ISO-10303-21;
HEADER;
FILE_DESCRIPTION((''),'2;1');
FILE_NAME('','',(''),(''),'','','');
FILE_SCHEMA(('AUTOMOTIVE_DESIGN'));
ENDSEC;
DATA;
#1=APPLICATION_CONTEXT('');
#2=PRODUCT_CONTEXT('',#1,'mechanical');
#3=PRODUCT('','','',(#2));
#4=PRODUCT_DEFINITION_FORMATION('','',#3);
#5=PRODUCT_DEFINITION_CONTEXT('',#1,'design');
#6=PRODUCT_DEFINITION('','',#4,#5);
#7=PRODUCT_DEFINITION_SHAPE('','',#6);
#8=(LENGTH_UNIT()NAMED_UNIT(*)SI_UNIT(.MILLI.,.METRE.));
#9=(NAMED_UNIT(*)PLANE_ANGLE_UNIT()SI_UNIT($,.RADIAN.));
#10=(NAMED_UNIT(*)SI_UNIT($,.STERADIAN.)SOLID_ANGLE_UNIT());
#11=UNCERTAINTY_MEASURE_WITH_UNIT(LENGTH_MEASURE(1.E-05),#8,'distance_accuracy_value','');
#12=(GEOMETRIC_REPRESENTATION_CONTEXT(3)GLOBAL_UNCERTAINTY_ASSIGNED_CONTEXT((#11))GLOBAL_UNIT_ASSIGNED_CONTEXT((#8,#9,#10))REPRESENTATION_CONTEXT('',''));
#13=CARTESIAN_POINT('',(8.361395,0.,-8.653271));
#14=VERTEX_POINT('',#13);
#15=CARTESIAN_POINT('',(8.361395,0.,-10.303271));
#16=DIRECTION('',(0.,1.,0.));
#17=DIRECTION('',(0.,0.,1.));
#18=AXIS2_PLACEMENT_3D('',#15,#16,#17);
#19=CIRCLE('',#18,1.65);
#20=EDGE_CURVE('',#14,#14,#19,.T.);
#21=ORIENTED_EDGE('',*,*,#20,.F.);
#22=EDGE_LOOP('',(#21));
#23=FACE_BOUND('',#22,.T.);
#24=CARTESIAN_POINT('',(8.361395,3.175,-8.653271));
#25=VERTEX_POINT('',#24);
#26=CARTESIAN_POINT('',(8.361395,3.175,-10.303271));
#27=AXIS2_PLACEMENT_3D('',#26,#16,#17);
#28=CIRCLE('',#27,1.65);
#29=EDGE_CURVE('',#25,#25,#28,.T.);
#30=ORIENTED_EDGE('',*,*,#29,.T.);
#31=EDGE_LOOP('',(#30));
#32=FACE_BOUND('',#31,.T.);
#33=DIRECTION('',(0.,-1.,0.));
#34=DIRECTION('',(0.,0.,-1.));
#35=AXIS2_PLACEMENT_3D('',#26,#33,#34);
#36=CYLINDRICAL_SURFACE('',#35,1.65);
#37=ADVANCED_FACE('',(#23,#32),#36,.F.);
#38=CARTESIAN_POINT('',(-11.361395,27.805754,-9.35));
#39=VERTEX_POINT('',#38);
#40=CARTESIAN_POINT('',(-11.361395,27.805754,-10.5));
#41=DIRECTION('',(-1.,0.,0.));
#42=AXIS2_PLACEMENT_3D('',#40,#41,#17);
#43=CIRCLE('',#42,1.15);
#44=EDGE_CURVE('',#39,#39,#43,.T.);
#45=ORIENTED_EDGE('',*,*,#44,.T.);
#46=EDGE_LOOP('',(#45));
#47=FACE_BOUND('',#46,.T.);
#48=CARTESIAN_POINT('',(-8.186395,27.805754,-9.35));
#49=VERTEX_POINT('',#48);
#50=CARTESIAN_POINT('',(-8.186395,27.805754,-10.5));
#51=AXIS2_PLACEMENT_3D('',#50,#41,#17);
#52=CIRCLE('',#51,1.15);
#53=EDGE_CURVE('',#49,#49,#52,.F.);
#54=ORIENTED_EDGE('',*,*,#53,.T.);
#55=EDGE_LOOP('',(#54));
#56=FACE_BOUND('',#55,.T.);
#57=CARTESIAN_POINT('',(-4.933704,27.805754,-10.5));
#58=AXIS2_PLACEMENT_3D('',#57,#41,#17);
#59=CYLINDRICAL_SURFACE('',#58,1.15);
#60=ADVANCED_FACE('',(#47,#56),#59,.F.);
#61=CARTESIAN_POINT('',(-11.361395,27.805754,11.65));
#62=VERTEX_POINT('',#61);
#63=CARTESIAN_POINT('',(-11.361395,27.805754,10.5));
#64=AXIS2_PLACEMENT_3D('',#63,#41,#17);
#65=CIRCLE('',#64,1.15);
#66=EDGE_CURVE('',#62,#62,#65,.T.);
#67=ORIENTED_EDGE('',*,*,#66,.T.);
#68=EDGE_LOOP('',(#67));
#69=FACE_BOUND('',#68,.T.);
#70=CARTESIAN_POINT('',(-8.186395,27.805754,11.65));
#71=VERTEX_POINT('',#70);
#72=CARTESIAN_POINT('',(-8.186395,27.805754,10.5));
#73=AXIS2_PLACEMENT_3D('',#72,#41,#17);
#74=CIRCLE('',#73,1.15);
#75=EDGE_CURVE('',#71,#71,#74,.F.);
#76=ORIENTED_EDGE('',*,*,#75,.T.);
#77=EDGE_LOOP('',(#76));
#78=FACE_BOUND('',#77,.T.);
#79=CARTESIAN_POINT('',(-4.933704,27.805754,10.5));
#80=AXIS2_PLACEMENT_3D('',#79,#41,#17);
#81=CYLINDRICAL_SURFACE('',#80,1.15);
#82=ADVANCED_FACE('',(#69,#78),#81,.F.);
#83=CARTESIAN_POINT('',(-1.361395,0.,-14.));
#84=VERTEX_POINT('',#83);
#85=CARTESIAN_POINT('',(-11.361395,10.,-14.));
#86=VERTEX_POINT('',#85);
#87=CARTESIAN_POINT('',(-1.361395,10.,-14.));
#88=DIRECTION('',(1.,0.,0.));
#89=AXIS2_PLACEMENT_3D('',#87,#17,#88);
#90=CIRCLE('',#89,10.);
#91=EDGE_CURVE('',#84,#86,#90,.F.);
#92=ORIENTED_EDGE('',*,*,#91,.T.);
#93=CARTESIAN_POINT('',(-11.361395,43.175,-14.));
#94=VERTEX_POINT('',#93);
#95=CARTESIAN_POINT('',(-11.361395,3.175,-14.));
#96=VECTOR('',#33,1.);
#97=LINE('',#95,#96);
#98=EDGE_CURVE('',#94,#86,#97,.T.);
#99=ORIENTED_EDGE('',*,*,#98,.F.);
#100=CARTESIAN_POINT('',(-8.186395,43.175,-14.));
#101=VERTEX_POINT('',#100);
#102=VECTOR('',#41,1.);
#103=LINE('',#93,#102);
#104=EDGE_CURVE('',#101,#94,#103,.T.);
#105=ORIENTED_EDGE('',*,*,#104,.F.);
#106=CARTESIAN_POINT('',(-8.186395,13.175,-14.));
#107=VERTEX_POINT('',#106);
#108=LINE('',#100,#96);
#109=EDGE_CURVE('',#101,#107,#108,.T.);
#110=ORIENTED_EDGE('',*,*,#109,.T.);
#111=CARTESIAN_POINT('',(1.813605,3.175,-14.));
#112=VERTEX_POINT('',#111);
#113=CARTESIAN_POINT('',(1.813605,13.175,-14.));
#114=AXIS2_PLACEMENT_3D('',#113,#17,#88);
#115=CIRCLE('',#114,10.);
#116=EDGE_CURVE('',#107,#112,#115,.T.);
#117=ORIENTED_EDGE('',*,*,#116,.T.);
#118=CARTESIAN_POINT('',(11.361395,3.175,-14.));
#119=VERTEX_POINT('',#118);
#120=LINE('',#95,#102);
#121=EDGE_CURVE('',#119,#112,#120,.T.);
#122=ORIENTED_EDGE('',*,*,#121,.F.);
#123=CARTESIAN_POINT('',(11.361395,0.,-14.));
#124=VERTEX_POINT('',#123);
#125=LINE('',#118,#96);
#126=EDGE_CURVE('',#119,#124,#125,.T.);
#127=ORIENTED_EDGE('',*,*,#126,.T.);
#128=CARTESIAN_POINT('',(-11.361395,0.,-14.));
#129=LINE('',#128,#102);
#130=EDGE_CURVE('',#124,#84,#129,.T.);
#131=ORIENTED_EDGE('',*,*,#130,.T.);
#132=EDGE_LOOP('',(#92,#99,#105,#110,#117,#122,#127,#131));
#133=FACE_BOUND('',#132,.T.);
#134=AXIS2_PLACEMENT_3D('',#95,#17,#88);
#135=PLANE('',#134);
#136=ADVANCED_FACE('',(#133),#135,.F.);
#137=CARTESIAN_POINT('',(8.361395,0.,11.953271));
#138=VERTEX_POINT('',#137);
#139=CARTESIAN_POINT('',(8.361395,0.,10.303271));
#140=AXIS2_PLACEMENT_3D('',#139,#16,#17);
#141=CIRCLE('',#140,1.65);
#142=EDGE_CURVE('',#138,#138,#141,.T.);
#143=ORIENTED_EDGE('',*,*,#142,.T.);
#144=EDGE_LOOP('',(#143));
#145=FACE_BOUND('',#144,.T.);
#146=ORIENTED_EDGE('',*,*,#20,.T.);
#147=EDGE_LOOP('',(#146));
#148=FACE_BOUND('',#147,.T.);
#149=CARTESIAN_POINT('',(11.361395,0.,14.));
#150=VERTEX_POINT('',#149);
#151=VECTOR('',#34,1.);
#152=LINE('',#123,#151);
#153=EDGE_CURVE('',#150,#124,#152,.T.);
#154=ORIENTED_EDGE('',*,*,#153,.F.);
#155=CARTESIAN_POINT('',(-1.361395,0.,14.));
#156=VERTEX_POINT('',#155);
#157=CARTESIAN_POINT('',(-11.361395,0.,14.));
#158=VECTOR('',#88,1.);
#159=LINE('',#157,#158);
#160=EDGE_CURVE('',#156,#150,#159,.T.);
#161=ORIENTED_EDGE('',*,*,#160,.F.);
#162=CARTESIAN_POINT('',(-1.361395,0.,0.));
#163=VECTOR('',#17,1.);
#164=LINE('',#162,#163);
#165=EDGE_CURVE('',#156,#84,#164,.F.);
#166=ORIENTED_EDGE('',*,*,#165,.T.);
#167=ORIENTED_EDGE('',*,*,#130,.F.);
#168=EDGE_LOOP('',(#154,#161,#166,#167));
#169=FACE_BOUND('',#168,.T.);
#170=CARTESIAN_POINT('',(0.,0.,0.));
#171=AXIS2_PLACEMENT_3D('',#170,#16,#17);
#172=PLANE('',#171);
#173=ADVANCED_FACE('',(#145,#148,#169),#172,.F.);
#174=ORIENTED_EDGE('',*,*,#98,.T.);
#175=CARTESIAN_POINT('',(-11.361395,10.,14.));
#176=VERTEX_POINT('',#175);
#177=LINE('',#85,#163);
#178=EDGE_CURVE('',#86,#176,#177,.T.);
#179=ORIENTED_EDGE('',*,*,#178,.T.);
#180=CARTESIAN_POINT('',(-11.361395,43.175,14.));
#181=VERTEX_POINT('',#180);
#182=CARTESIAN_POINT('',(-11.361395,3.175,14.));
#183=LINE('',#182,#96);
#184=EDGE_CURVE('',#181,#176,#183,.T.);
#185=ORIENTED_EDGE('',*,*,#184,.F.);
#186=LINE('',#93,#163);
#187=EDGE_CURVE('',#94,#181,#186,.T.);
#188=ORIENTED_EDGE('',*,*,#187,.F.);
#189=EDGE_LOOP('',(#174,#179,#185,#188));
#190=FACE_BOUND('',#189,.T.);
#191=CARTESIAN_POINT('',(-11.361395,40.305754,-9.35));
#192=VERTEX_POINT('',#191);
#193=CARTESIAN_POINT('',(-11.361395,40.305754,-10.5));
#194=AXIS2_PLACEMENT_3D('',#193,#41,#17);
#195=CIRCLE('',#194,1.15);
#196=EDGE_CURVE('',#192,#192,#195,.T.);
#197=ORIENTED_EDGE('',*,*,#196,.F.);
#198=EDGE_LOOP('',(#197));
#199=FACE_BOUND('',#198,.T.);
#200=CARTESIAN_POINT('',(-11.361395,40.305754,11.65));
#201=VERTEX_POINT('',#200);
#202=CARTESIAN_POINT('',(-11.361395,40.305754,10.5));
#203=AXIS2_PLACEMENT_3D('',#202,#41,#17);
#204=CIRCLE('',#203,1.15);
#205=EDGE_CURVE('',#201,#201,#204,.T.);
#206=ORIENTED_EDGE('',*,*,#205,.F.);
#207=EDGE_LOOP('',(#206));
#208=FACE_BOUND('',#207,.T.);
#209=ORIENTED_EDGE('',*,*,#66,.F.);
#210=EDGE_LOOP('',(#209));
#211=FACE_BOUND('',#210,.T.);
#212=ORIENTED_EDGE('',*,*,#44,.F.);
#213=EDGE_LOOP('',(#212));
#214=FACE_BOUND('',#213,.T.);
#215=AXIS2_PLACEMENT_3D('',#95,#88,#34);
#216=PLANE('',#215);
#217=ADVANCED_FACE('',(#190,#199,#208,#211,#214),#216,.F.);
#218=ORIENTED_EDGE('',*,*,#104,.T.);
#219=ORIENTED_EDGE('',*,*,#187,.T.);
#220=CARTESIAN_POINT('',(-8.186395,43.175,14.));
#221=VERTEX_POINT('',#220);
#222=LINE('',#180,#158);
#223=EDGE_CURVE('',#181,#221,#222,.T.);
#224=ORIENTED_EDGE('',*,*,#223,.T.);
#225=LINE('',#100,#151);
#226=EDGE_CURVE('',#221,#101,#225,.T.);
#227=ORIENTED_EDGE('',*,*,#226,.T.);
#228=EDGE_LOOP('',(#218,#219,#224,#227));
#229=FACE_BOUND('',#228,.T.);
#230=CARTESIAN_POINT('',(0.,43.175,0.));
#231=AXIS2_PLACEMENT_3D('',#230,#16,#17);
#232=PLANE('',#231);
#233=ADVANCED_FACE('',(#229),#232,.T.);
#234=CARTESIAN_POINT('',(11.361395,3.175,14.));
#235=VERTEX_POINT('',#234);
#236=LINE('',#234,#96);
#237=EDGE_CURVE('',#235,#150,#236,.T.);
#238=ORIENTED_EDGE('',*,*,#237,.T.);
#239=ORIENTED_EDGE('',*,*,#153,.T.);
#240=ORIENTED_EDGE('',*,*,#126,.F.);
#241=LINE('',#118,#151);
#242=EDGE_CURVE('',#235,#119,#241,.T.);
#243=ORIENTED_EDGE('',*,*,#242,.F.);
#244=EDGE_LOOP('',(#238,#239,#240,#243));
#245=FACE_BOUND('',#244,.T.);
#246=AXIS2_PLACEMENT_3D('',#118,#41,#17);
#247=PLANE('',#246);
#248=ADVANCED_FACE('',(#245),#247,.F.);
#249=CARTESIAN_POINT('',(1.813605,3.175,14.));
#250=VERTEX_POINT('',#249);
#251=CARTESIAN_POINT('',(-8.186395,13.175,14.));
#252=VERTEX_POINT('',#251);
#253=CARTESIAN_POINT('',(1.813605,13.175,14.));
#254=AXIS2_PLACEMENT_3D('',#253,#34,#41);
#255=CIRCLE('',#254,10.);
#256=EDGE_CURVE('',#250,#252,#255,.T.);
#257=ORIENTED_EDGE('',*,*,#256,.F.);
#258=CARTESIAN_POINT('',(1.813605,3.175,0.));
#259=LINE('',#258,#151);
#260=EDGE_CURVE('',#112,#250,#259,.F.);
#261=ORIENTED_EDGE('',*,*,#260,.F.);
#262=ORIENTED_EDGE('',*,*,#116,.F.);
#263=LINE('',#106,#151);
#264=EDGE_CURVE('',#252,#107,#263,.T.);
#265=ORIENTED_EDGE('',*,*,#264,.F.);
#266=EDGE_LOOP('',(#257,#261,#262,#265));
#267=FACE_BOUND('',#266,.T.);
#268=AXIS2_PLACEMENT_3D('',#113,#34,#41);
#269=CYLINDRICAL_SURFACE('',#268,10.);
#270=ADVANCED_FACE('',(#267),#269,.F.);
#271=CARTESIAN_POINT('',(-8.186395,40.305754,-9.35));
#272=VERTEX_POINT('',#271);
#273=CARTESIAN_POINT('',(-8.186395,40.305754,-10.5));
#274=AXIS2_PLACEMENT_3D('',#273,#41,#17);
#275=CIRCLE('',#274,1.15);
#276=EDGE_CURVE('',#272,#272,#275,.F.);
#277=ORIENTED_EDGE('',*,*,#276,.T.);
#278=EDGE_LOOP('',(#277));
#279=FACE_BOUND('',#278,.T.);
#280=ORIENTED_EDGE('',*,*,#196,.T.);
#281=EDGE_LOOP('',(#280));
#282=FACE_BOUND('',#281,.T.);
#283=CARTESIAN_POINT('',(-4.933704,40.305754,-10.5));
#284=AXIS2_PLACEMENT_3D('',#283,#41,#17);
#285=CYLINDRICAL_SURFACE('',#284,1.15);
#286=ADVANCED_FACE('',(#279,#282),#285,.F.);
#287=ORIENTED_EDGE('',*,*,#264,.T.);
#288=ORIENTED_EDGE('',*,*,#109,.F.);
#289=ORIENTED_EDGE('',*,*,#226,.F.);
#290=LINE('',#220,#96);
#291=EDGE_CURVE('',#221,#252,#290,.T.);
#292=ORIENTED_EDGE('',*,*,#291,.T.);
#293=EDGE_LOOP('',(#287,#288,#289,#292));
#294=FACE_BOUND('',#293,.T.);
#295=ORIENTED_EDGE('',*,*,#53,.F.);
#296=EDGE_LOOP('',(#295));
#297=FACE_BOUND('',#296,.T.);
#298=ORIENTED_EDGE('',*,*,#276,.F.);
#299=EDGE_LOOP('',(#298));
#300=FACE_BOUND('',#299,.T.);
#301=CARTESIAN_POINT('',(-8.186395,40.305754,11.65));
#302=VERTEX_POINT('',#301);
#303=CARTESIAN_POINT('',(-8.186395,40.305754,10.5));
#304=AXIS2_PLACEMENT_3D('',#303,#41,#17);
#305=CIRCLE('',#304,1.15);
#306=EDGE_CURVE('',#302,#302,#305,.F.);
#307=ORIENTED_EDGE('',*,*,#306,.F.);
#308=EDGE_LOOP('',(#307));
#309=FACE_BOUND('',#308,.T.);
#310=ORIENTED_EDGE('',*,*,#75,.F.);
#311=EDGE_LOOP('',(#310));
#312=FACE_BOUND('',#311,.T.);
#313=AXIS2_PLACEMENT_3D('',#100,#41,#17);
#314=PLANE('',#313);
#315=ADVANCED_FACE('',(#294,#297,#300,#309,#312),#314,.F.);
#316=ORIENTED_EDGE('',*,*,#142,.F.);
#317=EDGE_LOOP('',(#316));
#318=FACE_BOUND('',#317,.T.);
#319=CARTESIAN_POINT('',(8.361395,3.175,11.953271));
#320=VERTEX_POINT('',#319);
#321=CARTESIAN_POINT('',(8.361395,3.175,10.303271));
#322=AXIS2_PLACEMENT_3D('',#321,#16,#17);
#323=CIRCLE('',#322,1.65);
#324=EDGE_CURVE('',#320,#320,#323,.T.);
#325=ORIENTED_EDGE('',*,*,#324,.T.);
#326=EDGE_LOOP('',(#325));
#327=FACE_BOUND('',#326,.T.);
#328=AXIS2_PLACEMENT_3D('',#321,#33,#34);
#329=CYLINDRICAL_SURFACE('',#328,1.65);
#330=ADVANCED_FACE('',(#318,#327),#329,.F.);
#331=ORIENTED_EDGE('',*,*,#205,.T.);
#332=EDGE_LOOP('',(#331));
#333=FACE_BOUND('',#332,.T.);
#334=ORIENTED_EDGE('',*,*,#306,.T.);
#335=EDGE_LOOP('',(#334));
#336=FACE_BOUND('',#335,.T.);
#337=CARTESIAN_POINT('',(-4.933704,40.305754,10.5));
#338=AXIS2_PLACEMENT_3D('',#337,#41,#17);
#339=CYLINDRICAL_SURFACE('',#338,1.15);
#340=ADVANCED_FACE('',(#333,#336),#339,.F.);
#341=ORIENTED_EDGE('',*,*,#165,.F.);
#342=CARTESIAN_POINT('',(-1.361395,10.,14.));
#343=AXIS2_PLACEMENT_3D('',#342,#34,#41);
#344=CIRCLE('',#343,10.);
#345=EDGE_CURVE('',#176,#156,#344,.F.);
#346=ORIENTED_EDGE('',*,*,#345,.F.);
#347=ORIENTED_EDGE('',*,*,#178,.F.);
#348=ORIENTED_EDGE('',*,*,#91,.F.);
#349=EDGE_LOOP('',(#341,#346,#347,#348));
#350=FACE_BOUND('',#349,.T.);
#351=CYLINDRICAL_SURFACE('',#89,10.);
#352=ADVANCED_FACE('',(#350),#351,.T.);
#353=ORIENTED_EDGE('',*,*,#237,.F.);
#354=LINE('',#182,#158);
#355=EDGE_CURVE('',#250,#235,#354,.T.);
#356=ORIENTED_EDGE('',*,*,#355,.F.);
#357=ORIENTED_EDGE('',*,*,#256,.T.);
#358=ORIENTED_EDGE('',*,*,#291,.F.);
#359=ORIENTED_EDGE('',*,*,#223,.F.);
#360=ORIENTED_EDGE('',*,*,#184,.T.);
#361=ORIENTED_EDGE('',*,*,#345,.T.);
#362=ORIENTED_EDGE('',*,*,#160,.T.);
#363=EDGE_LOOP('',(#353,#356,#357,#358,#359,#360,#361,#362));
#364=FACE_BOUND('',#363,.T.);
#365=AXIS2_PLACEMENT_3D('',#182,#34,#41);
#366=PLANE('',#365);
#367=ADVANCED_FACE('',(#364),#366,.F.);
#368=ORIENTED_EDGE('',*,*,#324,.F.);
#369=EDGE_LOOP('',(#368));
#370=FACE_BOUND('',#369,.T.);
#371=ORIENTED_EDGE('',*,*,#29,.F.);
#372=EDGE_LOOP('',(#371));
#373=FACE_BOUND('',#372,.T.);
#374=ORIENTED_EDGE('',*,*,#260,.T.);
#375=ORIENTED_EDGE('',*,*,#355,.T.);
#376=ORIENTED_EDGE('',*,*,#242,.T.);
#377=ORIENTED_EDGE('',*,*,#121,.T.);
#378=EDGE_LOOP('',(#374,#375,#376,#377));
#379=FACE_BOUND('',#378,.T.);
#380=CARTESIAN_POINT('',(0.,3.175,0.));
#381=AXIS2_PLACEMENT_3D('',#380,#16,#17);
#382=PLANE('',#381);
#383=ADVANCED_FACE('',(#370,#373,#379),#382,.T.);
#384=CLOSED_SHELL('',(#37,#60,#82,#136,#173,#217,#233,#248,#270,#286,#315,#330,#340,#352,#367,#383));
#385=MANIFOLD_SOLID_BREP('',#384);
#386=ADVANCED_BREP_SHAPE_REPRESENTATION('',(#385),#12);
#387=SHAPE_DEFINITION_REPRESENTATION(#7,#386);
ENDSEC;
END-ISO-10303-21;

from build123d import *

# Parameters (mm, degrees)
SKETCH1_W           = 22.722789772
SKETCH1_H           = 28
SKETCH1_R           = 1.65
BOSS_EXTRUDE1_DEPTH = 3.175
SKETCH2_W           = 3.175
SKETCH2_H           = 28
BOSS_EXTRUDE2_DEPTH = 40
FILLET1_R           = 10
SKETCH3_R           = 1.15
CUT_EXTRUDE1_DEPTH  = 3.175


with BuildPart() as part:
    # Sketch1 → Boss-Extrude1 (new body)
    with BuildSketch(Plane(origin=(0, 0, 0), x_dir=(1, 0, 0), z_dir=(0, 1, 0))):
        Rectangle(SKETCH1_W, SKETCH1_H)
        with Locations((8.361394886, 10.30327082)):
            Circle(SKETCH1_R, mode=Mode.SUBTRACT)
        with Locations((8.361394886, -10.30327082)):
            Circle(SKETCH1_R, mode=Mode.SUBTRACT)
    extrude(amount=BOSS_EXTRUDE1_DEPTH)

    # Sketch2 → Boss-Extrude2 (add)
    with BuildSketch(Plane(origin=(0, 3.175, 0), x_dir=(1, 0, 0), z_dir=(0, 1, 0))):
        with Locations((-9.773894886, 0)):
            Rectangle(SKETCH2_W, SKETCH2_H)
    extrude(amount=BOSS_EXTRUDE2_DEPTH)

    # Fillet1
    fillet1_edges = [part.edges().sort_by_distance(p)[0] for p in [
        (-8.186394886, 3.175, 0),
        (-11.361394886, 0, 0),
    ]]
    fillet(fillet1_edges, radius=FILLET1_R)

    # Sketch3 → Cut-Extrude1 (cut)
    with BuildSketch(Plane.ZY.offset(11.361394886)):
        with Locations((10.5, 40.305754395)):
            Circle(SKETCH3_R)
        with Locations((10.5, 27.805754395)):
            Circle(SKETCH3_R)
        with Locations((-10.5, 40.305754395)):
            Circle(SKETCH3_R)
        with Locations((-10.5, 27.805754395)):
            Circle(SKETCH3_R)
    extrude(amount=-CUT_EXTRUDE1_DEPTH, mode=Mode.SUBTRACT)


solid = part.part
